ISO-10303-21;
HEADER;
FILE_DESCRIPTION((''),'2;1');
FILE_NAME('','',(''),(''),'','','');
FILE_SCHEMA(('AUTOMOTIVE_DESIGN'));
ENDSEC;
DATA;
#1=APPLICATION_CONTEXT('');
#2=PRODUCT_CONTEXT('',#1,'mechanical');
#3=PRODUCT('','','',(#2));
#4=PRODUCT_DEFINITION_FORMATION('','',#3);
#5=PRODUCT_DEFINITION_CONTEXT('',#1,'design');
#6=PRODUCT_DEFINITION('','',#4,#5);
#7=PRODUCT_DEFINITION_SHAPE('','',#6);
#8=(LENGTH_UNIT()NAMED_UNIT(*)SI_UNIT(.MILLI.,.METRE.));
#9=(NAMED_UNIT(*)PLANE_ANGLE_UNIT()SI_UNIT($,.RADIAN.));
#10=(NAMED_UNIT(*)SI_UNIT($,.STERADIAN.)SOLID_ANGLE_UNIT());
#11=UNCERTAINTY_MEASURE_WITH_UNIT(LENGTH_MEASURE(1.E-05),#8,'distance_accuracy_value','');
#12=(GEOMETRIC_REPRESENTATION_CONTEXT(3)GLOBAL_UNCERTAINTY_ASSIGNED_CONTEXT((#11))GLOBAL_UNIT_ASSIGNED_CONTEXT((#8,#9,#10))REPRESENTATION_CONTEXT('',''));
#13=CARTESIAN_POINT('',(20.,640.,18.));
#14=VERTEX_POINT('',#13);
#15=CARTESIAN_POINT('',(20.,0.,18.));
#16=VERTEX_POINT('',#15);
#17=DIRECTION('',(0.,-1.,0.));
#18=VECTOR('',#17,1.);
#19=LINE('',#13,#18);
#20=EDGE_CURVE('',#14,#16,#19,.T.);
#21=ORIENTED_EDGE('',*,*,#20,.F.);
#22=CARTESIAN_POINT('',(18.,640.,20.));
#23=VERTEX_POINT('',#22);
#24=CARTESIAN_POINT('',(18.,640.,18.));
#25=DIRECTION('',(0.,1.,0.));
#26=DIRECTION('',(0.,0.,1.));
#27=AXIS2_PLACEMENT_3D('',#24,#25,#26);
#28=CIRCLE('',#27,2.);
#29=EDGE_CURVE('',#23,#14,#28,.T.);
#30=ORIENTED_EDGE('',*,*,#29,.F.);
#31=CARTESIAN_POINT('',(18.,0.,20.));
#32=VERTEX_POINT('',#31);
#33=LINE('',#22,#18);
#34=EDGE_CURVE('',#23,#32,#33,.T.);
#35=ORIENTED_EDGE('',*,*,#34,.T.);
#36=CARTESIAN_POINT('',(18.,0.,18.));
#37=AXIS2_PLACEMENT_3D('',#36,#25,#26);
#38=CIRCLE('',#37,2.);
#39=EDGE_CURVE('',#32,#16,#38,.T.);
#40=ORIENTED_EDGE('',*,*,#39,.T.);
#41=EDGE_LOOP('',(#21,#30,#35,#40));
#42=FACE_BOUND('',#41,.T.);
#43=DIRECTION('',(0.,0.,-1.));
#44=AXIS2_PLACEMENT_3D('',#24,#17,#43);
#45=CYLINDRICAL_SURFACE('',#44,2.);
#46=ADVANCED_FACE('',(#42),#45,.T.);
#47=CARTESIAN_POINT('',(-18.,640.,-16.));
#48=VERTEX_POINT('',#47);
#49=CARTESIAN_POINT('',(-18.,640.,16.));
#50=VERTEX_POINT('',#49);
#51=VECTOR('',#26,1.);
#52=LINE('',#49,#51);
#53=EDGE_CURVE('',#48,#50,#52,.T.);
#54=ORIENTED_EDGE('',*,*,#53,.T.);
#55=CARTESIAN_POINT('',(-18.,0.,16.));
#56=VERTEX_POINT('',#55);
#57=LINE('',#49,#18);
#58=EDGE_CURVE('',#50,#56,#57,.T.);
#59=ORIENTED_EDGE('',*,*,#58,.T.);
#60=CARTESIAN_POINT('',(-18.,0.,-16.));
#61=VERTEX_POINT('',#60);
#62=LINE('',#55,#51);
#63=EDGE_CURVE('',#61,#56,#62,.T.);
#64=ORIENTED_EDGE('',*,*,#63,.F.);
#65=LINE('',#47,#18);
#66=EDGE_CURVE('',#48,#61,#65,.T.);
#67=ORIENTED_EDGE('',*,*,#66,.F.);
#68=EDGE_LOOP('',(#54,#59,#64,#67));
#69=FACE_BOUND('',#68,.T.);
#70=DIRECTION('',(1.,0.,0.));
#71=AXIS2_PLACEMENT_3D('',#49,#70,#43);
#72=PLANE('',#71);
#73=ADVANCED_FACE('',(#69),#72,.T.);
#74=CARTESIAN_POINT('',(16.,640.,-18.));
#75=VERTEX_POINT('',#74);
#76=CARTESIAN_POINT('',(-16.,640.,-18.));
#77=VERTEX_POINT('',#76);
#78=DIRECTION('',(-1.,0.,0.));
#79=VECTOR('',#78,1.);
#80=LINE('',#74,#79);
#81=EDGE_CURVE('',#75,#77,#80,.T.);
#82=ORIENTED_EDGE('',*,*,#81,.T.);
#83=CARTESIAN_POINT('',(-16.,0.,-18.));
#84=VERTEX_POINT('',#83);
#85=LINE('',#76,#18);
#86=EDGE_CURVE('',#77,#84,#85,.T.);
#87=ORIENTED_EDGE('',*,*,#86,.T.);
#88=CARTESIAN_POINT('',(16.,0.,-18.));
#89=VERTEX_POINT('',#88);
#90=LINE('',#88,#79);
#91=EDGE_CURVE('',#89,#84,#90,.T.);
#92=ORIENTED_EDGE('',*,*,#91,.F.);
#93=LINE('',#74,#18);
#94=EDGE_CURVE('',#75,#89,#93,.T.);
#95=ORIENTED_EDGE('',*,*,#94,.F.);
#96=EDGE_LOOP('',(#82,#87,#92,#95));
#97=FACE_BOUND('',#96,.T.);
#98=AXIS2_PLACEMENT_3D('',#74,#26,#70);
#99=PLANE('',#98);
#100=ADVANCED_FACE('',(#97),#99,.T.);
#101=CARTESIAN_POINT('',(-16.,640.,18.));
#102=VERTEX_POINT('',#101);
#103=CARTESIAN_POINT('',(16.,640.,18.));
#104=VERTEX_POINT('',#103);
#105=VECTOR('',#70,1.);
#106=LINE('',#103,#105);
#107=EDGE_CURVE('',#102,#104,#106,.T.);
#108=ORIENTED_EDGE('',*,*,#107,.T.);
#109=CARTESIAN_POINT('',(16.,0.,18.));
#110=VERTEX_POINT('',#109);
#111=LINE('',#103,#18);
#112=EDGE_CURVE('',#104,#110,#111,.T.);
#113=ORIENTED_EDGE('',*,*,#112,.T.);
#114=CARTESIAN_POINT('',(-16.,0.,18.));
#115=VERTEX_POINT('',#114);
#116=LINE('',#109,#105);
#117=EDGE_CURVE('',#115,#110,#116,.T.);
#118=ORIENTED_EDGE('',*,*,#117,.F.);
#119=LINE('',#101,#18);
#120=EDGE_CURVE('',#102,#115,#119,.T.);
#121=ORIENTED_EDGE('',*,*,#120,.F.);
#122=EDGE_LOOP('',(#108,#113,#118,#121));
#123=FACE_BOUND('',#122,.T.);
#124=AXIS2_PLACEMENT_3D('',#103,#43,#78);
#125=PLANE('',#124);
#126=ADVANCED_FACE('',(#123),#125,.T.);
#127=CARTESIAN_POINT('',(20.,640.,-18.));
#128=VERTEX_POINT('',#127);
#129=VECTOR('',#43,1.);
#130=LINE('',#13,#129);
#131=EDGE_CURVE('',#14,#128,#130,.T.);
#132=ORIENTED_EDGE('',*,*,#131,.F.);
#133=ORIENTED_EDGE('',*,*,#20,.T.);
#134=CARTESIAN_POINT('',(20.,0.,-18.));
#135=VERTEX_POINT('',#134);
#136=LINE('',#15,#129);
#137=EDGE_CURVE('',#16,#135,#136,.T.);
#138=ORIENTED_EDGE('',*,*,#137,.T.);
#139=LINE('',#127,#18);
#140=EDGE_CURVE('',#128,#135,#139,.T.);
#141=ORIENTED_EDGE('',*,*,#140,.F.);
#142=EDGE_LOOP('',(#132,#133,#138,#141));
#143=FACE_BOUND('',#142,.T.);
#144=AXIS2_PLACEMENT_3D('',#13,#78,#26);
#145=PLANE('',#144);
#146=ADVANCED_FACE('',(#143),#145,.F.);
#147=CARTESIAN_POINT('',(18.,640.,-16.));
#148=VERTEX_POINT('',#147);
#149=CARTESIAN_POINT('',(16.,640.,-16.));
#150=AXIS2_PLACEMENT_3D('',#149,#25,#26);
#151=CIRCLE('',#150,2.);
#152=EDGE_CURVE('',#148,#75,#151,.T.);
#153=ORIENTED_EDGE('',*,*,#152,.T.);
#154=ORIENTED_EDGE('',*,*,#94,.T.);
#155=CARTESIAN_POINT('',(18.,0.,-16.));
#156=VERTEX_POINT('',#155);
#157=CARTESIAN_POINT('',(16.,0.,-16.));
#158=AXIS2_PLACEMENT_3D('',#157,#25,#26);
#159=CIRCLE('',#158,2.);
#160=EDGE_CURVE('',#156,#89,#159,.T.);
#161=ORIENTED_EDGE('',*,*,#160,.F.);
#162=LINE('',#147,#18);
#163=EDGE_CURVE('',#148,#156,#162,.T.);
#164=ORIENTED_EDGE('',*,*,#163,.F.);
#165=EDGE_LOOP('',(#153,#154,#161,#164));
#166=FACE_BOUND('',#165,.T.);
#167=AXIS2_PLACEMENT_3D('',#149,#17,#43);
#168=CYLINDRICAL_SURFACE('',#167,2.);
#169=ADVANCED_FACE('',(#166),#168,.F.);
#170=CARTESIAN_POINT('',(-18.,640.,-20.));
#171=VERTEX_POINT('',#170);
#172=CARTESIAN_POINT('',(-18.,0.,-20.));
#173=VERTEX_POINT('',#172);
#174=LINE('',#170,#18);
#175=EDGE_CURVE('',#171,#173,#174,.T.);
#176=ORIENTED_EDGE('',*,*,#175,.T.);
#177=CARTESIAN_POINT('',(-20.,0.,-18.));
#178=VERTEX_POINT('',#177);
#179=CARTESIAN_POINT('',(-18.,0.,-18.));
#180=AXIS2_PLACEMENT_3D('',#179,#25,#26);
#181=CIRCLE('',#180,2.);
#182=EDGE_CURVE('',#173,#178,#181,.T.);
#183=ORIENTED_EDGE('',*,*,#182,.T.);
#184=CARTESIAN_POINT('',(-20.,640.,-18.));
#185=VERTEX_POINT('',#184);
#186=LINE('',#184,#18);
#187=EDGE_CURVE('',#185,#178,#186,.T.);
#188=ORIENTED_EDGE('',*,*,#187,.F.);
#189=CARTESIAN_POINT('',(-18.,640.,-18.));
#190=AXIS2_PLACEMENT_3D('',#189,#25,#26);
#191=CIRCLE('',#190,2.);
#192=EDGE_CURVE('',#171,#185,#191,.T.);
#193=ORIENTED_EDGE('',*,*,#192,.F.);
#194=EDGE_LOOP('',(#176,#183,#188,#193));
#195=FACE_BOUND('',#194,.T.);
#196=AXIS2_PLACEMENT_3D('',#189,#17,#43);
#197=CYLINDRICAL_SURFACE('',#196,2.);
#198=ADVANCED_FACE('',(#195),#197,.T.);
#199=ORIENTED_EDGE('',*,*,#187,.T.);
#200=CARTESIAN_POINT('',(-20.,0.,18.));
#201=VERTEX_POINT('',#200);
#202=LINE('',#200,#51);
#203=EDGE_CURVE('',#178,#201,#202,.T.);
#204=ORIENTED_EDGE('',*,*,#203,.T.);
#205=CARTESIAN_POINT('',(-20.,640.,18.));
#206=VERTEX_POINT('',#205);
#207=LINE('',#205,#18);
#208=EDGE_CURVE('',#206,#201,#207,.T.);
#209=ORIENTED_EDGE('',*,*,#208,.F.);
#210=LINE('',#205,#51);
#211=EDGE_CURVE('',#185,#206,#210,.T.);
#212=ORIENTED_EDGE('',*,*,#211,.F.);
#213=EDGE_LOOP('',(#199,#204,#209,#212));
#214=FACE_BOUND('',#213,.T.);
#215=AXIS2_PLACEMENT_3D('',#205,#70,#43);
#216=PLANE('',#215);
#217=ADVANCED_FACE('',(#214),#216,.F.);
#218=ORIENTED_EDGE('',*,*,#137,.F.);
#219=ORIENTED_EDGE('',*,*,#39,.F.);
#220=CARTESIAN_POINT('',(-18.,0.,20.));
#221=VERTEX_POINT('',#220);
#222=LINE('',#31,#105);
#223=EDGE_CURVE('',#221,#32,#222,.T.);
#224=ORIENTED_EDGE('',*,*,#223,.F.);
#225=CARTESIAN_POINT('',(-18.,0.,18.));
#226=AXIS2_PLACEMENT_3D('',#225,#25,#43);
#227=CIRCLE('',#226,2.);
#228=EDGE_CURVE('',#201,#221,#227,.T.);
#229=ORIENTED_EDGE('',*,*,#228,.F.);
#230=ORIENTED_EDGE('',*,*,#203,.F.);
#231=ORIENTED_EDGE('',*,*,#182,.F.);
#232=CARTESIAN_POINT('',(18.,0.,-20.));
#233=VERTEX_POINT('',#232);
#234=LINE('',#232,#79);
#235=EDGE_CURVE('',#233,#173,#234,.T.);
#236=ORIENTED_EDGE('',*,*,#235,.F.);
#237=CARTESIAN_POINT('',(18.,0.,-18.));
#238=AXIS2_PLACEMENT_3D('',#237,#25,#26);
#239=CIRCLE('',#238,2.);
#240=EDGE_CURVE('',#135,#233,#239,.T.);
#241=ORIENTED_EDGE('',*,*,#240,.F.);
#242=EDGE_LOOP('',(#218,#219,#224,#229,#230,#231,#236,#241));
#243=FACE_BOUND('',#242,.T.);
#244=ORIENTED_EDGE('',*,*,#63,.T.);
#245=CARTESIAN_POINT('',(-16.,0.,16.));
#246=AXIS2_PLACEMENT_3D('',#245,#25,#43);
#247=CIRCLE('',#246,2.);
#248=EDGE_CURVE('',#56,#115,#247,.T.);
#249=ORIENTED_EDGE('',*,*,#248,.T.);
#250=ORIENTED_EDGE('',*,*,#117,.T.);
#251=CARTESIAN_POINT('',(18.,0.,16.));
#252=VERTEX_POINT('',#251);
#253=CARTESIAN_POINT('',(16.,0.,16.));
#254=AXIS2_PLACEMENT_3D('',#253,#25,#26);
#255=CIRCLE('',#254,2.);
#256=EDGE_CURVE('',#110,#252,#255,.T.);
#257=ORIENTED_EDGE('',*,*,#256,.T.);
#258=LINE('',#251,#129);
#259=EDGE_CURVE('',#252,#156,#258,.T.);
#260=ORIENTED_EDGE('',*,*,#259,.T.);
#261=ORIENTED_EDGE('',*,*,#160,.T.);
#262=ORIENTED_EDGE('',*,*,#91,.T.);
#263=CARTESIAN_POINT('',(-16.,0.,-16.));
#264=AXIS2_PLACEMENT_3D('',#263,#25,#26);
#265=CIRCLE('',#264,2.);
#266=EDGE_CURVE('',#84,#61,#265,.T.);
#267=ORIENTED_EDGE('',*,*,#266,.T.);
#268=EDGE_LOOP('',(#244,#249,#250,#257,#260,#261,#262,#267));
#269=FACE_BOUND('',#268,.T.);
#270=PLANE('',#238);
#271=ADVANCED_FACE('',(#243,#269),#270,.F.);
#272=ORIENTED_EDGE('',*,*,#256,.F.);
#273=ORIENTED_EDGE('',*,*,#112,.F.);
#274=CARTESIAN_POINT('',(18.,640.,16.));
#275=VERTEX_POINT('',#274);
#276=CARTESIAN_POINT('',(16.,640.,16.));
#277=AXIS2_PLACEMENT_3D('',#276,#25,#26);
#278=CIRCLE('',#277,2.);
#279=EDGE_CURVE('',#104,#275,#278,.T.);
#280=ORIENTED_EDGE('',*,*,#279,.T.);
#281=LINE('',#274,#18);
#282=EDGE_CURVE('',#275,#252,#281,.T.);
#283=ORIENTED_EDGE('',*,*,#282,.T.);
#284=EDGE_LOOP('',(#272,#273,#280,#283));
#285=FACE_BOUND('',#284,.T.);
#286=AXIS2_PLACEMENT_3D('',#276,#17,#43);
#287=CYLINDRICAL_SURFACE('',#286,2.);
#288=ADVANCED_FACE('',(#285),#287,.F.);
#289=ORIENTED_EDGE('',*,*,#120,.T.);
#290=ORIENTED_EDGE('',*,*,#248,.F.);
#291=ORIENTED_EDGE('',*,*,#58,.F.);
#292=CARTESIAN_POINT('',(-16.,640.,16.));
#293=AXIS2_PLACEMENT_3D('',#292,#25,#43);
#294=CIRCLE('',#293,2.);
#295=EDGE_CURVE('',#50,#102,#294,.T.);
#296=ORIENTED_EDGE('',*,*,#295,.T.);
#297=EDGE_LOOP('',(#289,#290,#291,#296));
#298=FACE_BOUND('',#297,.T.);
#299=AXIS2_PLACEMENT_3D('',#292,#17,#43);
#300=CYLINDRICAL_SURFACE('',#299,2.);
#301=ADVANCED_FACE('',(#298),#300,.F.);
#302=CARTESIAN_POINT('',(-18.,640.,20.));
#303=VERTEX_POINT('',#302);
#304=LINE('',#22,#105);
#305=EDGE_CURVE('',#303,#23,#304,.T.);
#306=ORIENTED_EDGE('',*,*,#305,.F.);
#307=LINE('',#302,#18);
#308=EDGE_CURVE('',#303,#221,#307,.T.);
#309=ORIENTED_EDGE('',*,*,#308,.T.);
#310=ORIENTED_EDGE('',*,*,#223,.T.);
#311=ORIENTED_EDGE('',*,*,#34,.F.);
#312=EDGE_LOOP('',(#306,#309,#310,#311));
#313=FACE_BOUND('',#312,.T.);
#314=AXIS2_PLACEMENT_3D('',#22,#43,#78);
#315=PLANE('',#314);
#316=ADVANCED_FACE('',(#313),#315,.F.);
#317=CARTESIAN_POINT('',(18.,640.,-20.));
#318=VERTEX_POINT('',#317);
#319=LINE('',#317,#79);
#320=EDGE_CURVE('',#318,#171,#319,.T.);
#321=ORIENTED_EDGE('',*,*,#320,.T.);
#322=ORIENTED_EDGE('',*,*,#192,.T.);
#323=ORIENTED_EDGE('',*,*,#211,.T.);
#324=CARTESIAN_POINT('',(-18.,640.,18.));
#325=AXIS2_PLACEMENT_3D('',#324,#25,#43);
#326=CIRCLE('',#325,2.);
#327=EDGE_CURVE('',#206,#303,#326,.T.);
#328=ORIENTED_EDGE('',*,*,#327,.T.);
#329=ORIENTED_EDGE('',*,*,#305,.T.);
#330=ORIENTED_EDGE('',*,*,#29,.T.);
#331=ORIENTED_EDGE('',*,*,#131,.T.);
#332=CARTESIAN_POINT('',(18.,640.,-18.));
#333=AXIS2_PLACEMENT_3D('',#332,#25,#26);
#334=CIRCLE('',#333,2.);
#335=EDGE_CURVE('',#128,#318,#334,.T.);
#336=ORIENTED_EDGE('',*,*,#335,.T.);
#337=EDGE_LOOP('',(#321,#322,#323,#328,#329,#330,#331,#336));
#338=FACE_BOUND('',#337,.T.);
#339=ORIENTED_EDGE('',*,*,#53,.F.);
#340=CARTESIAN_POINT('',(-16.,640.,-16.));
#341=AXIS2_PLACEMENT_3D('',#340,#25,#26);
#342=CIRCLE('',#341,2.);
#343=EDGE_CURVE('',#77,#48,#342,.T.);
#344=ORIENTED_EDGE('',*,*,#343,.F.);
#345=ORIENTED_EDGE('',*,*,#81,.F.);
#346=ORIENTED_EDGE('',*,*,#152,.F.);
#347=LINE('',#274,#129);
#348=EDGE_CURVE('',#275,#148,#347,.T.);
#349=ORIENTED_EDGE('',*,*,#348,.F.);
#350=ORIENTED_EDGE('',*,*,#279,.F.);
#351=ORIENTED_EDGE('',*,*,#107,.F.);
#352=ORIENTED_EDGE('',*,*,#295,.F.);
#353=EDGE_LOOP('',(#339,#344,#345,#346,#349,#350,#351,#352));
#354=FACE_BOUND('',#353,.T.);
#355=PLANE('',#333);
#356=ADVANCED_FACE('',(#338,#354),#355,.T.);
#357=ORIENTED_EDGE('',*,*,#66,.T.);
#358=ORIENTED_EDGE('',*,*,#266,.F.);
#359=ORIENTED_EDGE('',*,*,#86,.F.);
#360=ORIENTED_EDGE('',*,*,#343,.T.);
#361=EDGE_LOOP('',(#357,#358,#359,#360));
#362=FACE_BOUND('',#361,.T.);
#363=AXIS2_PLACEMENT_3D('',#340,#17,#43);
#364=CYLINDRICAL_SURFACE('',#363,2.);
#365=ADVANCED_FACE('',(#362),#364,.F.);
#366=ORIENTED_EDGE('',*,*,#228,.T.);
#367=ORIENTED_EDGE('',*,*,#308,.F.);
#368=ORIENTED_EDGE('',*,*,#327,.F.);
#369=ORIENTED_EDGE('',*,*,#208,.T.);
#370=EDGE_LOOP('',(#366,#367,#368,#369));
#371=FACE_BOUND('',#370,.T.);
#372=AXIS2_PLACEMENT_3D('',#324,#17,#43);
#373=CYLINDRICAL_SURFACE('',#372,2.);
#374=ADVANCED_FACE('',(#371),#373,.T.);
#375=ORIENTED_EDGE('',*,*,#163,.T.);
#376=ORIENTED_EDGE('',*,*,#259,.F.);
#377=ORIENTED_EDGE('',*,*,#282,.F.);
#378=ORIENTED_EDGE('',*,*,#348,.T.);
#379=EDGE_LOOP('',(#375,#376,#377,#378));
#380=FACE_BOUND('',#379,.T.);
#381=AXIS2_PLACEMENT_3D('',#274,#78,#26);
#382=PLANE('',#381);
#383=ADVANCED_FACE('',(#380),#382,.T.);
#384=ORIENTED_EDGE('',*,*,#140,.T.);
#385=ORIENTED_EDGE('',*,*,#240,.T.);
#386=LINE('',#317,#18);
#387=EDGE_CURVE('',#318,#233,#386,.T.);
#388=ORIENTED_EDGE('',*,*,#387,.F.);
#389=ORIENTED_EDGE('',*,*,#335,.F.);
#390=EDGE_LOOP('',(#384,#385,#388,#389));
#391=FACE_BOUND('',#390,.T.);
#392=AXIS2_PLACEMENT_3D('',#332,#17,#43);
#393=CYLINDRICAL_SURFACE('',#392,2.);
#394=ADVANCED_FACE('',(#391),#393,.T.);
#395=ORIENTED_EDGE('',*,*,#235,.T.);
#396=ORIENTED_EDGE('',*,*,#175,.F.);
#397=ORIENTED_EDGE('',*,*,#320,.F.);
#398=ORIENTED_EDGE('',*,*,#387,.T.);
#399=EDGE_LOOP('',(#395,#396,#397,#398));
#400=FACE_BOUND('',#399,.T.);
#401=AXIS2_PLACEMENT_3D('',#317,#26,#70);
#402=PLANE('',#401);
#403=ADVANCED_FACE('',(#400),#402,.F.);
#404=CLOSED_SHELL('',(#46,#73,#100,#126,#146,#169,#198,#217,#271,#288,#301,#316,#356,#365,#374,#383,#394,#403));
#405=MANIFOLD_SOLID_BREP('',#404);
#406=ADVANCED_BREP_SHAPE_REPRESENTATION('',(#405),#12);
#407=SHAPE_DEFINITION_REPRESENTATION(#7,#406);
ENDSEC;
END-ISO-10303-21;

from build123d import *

# Parameters (mm, degrees)
EXTRUDE_1_DEPTH = 640


with BuildPart() as part:
    # Эскиз1 → Бобышка-Вытянуть1 (new body)
    with BuildSketch(Plane(origin=(0, 0, 0), x_dir=(1, 0, 0), z_dir=(0, 1, 0))):
        with BuildLine():
            Line((18, -20), (-18, -20))
            ThreePointArc((-18, -20), (-19.414213562, -19.414213562), (-20, -18))
            Line((-20, -18), (-20, 18))
            ThreePointArc((-20, 18), (-19.414213562, 19.414213562), (-18, 20))
            Line((-18, 20), (18, 20))
            ThreePointArc((18, 20), (19.414213562, 19.414213562), (20, 18))
            Line((20, 18), (20, -18))
            ThreePointArc((20, -18), (19.414213562, -19.414213562), (18, -20))
        make_face()
        with BuildLine():
            Line((16, -18), (-16, -18))
            ThreePointArc((-16, -18), (-17.414213562, -17.414213562), (-18, -16))
            Line((-18, -16), (-18, 16))
            ThreePointArc((-18, 16), (-17.414213562, 17.414213562), (-16, 18))
            Line((-16, 18), (16, 18))
            ThreePointArc((16, 18), (17.414213562, 17.414213562), (18, 16))
            Line((18, 16), (18, -16))
            ThreePointArc((18, -16), (17.414213562, -17.414213562), (16, -18))
        make_face(mode=Mode.SUBTRACT)
    extrude(amount=EXTRUDE_1_DEPTH)


solid = part.part
